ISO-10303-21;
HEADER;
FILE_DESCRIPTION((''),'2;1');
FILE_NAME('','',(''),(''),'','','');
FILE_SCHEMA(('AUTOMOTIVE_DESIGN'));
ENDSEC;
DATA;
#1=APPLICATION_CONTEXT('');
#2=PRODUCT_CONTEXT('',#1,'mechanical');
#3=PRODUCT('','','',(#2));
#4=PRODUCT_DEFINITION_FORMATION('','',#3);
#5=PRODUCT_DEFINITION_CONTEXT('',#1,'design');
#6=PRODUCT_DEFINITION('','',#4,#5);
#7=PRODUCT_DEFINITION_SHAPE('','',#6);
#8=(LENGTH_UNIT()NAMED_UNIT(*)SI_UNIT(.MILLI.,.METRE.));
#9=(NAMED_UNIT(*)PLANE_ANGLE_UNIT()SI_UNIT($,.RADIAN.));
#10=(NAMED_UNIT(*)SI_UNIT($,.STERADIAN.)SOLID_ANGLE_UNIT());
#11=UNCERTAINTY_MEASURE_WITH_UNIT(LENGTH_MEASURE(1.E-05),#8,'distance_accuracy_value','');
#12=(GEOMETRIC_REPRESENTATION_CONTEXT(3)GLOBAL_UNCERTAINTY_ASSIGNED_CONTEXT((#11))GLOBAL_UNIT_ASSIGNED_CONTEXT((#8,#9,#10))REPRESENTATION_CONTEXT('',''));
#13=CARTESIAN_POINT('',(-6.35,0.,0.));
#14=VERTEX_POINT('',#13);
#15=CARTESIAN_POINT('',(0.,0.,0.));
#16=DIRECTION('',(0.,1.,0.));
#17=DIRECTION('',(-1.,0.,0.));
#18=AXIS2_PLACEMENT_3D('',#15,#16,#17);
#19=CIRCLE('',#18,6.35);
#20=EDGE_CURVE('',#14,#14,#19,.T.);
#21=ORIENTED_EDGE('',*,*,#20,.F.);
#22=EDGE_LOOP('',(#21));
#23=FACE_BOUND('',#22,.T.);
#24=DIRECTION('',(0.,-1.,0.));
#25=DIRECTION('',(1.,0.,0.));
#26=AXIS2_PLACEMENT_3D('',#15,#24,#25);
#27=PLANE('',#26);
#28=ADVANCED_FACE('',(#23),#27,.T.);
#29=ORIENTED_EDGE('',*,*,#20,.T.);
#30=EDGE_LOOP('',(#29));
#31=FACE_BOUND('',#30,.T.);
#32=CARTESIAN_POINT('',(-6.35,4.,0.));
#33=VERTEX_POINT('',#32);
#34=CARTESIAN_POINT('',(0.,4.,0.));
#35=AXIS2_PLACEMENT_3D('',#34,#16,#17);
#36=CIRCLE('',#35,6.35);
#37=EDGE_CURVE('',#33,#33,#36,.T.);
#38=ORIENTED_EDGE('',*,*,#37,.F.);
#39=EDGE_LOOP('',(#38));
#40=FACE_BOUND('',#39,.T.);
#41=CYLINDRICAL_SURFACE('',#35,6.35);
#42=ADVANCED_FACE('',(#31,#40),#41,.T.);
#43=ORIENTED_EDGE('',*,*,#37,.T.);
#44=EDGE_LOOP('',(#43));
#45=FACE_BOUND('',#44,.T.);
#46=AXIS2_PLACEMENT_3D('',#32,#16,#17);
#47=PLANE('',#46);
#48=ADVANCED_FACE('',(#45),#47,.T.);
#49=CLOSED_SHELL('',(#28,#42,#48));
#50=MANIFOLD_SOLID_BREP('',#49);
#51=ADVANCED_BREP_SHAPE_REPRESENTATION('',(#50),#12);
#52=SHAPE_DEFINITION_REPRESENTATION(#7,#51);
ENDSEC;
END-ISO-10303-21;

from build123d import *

# Parameters (mm, degrees)
SKETCH1_W = 6.35
SKETCH1_H = 4


with BuildPart() as part:
    # Sketch1 → Revolve1 (revolve)
    with BuildSketch(Plane.XY):
        with Locations((-3.175, 2)):
            Rectangle(SKETCH1_W, SKETCH1_H)
    revolve(axis=Axis((0, 4, 0), (0, -1, 0)))


solid = part.part
